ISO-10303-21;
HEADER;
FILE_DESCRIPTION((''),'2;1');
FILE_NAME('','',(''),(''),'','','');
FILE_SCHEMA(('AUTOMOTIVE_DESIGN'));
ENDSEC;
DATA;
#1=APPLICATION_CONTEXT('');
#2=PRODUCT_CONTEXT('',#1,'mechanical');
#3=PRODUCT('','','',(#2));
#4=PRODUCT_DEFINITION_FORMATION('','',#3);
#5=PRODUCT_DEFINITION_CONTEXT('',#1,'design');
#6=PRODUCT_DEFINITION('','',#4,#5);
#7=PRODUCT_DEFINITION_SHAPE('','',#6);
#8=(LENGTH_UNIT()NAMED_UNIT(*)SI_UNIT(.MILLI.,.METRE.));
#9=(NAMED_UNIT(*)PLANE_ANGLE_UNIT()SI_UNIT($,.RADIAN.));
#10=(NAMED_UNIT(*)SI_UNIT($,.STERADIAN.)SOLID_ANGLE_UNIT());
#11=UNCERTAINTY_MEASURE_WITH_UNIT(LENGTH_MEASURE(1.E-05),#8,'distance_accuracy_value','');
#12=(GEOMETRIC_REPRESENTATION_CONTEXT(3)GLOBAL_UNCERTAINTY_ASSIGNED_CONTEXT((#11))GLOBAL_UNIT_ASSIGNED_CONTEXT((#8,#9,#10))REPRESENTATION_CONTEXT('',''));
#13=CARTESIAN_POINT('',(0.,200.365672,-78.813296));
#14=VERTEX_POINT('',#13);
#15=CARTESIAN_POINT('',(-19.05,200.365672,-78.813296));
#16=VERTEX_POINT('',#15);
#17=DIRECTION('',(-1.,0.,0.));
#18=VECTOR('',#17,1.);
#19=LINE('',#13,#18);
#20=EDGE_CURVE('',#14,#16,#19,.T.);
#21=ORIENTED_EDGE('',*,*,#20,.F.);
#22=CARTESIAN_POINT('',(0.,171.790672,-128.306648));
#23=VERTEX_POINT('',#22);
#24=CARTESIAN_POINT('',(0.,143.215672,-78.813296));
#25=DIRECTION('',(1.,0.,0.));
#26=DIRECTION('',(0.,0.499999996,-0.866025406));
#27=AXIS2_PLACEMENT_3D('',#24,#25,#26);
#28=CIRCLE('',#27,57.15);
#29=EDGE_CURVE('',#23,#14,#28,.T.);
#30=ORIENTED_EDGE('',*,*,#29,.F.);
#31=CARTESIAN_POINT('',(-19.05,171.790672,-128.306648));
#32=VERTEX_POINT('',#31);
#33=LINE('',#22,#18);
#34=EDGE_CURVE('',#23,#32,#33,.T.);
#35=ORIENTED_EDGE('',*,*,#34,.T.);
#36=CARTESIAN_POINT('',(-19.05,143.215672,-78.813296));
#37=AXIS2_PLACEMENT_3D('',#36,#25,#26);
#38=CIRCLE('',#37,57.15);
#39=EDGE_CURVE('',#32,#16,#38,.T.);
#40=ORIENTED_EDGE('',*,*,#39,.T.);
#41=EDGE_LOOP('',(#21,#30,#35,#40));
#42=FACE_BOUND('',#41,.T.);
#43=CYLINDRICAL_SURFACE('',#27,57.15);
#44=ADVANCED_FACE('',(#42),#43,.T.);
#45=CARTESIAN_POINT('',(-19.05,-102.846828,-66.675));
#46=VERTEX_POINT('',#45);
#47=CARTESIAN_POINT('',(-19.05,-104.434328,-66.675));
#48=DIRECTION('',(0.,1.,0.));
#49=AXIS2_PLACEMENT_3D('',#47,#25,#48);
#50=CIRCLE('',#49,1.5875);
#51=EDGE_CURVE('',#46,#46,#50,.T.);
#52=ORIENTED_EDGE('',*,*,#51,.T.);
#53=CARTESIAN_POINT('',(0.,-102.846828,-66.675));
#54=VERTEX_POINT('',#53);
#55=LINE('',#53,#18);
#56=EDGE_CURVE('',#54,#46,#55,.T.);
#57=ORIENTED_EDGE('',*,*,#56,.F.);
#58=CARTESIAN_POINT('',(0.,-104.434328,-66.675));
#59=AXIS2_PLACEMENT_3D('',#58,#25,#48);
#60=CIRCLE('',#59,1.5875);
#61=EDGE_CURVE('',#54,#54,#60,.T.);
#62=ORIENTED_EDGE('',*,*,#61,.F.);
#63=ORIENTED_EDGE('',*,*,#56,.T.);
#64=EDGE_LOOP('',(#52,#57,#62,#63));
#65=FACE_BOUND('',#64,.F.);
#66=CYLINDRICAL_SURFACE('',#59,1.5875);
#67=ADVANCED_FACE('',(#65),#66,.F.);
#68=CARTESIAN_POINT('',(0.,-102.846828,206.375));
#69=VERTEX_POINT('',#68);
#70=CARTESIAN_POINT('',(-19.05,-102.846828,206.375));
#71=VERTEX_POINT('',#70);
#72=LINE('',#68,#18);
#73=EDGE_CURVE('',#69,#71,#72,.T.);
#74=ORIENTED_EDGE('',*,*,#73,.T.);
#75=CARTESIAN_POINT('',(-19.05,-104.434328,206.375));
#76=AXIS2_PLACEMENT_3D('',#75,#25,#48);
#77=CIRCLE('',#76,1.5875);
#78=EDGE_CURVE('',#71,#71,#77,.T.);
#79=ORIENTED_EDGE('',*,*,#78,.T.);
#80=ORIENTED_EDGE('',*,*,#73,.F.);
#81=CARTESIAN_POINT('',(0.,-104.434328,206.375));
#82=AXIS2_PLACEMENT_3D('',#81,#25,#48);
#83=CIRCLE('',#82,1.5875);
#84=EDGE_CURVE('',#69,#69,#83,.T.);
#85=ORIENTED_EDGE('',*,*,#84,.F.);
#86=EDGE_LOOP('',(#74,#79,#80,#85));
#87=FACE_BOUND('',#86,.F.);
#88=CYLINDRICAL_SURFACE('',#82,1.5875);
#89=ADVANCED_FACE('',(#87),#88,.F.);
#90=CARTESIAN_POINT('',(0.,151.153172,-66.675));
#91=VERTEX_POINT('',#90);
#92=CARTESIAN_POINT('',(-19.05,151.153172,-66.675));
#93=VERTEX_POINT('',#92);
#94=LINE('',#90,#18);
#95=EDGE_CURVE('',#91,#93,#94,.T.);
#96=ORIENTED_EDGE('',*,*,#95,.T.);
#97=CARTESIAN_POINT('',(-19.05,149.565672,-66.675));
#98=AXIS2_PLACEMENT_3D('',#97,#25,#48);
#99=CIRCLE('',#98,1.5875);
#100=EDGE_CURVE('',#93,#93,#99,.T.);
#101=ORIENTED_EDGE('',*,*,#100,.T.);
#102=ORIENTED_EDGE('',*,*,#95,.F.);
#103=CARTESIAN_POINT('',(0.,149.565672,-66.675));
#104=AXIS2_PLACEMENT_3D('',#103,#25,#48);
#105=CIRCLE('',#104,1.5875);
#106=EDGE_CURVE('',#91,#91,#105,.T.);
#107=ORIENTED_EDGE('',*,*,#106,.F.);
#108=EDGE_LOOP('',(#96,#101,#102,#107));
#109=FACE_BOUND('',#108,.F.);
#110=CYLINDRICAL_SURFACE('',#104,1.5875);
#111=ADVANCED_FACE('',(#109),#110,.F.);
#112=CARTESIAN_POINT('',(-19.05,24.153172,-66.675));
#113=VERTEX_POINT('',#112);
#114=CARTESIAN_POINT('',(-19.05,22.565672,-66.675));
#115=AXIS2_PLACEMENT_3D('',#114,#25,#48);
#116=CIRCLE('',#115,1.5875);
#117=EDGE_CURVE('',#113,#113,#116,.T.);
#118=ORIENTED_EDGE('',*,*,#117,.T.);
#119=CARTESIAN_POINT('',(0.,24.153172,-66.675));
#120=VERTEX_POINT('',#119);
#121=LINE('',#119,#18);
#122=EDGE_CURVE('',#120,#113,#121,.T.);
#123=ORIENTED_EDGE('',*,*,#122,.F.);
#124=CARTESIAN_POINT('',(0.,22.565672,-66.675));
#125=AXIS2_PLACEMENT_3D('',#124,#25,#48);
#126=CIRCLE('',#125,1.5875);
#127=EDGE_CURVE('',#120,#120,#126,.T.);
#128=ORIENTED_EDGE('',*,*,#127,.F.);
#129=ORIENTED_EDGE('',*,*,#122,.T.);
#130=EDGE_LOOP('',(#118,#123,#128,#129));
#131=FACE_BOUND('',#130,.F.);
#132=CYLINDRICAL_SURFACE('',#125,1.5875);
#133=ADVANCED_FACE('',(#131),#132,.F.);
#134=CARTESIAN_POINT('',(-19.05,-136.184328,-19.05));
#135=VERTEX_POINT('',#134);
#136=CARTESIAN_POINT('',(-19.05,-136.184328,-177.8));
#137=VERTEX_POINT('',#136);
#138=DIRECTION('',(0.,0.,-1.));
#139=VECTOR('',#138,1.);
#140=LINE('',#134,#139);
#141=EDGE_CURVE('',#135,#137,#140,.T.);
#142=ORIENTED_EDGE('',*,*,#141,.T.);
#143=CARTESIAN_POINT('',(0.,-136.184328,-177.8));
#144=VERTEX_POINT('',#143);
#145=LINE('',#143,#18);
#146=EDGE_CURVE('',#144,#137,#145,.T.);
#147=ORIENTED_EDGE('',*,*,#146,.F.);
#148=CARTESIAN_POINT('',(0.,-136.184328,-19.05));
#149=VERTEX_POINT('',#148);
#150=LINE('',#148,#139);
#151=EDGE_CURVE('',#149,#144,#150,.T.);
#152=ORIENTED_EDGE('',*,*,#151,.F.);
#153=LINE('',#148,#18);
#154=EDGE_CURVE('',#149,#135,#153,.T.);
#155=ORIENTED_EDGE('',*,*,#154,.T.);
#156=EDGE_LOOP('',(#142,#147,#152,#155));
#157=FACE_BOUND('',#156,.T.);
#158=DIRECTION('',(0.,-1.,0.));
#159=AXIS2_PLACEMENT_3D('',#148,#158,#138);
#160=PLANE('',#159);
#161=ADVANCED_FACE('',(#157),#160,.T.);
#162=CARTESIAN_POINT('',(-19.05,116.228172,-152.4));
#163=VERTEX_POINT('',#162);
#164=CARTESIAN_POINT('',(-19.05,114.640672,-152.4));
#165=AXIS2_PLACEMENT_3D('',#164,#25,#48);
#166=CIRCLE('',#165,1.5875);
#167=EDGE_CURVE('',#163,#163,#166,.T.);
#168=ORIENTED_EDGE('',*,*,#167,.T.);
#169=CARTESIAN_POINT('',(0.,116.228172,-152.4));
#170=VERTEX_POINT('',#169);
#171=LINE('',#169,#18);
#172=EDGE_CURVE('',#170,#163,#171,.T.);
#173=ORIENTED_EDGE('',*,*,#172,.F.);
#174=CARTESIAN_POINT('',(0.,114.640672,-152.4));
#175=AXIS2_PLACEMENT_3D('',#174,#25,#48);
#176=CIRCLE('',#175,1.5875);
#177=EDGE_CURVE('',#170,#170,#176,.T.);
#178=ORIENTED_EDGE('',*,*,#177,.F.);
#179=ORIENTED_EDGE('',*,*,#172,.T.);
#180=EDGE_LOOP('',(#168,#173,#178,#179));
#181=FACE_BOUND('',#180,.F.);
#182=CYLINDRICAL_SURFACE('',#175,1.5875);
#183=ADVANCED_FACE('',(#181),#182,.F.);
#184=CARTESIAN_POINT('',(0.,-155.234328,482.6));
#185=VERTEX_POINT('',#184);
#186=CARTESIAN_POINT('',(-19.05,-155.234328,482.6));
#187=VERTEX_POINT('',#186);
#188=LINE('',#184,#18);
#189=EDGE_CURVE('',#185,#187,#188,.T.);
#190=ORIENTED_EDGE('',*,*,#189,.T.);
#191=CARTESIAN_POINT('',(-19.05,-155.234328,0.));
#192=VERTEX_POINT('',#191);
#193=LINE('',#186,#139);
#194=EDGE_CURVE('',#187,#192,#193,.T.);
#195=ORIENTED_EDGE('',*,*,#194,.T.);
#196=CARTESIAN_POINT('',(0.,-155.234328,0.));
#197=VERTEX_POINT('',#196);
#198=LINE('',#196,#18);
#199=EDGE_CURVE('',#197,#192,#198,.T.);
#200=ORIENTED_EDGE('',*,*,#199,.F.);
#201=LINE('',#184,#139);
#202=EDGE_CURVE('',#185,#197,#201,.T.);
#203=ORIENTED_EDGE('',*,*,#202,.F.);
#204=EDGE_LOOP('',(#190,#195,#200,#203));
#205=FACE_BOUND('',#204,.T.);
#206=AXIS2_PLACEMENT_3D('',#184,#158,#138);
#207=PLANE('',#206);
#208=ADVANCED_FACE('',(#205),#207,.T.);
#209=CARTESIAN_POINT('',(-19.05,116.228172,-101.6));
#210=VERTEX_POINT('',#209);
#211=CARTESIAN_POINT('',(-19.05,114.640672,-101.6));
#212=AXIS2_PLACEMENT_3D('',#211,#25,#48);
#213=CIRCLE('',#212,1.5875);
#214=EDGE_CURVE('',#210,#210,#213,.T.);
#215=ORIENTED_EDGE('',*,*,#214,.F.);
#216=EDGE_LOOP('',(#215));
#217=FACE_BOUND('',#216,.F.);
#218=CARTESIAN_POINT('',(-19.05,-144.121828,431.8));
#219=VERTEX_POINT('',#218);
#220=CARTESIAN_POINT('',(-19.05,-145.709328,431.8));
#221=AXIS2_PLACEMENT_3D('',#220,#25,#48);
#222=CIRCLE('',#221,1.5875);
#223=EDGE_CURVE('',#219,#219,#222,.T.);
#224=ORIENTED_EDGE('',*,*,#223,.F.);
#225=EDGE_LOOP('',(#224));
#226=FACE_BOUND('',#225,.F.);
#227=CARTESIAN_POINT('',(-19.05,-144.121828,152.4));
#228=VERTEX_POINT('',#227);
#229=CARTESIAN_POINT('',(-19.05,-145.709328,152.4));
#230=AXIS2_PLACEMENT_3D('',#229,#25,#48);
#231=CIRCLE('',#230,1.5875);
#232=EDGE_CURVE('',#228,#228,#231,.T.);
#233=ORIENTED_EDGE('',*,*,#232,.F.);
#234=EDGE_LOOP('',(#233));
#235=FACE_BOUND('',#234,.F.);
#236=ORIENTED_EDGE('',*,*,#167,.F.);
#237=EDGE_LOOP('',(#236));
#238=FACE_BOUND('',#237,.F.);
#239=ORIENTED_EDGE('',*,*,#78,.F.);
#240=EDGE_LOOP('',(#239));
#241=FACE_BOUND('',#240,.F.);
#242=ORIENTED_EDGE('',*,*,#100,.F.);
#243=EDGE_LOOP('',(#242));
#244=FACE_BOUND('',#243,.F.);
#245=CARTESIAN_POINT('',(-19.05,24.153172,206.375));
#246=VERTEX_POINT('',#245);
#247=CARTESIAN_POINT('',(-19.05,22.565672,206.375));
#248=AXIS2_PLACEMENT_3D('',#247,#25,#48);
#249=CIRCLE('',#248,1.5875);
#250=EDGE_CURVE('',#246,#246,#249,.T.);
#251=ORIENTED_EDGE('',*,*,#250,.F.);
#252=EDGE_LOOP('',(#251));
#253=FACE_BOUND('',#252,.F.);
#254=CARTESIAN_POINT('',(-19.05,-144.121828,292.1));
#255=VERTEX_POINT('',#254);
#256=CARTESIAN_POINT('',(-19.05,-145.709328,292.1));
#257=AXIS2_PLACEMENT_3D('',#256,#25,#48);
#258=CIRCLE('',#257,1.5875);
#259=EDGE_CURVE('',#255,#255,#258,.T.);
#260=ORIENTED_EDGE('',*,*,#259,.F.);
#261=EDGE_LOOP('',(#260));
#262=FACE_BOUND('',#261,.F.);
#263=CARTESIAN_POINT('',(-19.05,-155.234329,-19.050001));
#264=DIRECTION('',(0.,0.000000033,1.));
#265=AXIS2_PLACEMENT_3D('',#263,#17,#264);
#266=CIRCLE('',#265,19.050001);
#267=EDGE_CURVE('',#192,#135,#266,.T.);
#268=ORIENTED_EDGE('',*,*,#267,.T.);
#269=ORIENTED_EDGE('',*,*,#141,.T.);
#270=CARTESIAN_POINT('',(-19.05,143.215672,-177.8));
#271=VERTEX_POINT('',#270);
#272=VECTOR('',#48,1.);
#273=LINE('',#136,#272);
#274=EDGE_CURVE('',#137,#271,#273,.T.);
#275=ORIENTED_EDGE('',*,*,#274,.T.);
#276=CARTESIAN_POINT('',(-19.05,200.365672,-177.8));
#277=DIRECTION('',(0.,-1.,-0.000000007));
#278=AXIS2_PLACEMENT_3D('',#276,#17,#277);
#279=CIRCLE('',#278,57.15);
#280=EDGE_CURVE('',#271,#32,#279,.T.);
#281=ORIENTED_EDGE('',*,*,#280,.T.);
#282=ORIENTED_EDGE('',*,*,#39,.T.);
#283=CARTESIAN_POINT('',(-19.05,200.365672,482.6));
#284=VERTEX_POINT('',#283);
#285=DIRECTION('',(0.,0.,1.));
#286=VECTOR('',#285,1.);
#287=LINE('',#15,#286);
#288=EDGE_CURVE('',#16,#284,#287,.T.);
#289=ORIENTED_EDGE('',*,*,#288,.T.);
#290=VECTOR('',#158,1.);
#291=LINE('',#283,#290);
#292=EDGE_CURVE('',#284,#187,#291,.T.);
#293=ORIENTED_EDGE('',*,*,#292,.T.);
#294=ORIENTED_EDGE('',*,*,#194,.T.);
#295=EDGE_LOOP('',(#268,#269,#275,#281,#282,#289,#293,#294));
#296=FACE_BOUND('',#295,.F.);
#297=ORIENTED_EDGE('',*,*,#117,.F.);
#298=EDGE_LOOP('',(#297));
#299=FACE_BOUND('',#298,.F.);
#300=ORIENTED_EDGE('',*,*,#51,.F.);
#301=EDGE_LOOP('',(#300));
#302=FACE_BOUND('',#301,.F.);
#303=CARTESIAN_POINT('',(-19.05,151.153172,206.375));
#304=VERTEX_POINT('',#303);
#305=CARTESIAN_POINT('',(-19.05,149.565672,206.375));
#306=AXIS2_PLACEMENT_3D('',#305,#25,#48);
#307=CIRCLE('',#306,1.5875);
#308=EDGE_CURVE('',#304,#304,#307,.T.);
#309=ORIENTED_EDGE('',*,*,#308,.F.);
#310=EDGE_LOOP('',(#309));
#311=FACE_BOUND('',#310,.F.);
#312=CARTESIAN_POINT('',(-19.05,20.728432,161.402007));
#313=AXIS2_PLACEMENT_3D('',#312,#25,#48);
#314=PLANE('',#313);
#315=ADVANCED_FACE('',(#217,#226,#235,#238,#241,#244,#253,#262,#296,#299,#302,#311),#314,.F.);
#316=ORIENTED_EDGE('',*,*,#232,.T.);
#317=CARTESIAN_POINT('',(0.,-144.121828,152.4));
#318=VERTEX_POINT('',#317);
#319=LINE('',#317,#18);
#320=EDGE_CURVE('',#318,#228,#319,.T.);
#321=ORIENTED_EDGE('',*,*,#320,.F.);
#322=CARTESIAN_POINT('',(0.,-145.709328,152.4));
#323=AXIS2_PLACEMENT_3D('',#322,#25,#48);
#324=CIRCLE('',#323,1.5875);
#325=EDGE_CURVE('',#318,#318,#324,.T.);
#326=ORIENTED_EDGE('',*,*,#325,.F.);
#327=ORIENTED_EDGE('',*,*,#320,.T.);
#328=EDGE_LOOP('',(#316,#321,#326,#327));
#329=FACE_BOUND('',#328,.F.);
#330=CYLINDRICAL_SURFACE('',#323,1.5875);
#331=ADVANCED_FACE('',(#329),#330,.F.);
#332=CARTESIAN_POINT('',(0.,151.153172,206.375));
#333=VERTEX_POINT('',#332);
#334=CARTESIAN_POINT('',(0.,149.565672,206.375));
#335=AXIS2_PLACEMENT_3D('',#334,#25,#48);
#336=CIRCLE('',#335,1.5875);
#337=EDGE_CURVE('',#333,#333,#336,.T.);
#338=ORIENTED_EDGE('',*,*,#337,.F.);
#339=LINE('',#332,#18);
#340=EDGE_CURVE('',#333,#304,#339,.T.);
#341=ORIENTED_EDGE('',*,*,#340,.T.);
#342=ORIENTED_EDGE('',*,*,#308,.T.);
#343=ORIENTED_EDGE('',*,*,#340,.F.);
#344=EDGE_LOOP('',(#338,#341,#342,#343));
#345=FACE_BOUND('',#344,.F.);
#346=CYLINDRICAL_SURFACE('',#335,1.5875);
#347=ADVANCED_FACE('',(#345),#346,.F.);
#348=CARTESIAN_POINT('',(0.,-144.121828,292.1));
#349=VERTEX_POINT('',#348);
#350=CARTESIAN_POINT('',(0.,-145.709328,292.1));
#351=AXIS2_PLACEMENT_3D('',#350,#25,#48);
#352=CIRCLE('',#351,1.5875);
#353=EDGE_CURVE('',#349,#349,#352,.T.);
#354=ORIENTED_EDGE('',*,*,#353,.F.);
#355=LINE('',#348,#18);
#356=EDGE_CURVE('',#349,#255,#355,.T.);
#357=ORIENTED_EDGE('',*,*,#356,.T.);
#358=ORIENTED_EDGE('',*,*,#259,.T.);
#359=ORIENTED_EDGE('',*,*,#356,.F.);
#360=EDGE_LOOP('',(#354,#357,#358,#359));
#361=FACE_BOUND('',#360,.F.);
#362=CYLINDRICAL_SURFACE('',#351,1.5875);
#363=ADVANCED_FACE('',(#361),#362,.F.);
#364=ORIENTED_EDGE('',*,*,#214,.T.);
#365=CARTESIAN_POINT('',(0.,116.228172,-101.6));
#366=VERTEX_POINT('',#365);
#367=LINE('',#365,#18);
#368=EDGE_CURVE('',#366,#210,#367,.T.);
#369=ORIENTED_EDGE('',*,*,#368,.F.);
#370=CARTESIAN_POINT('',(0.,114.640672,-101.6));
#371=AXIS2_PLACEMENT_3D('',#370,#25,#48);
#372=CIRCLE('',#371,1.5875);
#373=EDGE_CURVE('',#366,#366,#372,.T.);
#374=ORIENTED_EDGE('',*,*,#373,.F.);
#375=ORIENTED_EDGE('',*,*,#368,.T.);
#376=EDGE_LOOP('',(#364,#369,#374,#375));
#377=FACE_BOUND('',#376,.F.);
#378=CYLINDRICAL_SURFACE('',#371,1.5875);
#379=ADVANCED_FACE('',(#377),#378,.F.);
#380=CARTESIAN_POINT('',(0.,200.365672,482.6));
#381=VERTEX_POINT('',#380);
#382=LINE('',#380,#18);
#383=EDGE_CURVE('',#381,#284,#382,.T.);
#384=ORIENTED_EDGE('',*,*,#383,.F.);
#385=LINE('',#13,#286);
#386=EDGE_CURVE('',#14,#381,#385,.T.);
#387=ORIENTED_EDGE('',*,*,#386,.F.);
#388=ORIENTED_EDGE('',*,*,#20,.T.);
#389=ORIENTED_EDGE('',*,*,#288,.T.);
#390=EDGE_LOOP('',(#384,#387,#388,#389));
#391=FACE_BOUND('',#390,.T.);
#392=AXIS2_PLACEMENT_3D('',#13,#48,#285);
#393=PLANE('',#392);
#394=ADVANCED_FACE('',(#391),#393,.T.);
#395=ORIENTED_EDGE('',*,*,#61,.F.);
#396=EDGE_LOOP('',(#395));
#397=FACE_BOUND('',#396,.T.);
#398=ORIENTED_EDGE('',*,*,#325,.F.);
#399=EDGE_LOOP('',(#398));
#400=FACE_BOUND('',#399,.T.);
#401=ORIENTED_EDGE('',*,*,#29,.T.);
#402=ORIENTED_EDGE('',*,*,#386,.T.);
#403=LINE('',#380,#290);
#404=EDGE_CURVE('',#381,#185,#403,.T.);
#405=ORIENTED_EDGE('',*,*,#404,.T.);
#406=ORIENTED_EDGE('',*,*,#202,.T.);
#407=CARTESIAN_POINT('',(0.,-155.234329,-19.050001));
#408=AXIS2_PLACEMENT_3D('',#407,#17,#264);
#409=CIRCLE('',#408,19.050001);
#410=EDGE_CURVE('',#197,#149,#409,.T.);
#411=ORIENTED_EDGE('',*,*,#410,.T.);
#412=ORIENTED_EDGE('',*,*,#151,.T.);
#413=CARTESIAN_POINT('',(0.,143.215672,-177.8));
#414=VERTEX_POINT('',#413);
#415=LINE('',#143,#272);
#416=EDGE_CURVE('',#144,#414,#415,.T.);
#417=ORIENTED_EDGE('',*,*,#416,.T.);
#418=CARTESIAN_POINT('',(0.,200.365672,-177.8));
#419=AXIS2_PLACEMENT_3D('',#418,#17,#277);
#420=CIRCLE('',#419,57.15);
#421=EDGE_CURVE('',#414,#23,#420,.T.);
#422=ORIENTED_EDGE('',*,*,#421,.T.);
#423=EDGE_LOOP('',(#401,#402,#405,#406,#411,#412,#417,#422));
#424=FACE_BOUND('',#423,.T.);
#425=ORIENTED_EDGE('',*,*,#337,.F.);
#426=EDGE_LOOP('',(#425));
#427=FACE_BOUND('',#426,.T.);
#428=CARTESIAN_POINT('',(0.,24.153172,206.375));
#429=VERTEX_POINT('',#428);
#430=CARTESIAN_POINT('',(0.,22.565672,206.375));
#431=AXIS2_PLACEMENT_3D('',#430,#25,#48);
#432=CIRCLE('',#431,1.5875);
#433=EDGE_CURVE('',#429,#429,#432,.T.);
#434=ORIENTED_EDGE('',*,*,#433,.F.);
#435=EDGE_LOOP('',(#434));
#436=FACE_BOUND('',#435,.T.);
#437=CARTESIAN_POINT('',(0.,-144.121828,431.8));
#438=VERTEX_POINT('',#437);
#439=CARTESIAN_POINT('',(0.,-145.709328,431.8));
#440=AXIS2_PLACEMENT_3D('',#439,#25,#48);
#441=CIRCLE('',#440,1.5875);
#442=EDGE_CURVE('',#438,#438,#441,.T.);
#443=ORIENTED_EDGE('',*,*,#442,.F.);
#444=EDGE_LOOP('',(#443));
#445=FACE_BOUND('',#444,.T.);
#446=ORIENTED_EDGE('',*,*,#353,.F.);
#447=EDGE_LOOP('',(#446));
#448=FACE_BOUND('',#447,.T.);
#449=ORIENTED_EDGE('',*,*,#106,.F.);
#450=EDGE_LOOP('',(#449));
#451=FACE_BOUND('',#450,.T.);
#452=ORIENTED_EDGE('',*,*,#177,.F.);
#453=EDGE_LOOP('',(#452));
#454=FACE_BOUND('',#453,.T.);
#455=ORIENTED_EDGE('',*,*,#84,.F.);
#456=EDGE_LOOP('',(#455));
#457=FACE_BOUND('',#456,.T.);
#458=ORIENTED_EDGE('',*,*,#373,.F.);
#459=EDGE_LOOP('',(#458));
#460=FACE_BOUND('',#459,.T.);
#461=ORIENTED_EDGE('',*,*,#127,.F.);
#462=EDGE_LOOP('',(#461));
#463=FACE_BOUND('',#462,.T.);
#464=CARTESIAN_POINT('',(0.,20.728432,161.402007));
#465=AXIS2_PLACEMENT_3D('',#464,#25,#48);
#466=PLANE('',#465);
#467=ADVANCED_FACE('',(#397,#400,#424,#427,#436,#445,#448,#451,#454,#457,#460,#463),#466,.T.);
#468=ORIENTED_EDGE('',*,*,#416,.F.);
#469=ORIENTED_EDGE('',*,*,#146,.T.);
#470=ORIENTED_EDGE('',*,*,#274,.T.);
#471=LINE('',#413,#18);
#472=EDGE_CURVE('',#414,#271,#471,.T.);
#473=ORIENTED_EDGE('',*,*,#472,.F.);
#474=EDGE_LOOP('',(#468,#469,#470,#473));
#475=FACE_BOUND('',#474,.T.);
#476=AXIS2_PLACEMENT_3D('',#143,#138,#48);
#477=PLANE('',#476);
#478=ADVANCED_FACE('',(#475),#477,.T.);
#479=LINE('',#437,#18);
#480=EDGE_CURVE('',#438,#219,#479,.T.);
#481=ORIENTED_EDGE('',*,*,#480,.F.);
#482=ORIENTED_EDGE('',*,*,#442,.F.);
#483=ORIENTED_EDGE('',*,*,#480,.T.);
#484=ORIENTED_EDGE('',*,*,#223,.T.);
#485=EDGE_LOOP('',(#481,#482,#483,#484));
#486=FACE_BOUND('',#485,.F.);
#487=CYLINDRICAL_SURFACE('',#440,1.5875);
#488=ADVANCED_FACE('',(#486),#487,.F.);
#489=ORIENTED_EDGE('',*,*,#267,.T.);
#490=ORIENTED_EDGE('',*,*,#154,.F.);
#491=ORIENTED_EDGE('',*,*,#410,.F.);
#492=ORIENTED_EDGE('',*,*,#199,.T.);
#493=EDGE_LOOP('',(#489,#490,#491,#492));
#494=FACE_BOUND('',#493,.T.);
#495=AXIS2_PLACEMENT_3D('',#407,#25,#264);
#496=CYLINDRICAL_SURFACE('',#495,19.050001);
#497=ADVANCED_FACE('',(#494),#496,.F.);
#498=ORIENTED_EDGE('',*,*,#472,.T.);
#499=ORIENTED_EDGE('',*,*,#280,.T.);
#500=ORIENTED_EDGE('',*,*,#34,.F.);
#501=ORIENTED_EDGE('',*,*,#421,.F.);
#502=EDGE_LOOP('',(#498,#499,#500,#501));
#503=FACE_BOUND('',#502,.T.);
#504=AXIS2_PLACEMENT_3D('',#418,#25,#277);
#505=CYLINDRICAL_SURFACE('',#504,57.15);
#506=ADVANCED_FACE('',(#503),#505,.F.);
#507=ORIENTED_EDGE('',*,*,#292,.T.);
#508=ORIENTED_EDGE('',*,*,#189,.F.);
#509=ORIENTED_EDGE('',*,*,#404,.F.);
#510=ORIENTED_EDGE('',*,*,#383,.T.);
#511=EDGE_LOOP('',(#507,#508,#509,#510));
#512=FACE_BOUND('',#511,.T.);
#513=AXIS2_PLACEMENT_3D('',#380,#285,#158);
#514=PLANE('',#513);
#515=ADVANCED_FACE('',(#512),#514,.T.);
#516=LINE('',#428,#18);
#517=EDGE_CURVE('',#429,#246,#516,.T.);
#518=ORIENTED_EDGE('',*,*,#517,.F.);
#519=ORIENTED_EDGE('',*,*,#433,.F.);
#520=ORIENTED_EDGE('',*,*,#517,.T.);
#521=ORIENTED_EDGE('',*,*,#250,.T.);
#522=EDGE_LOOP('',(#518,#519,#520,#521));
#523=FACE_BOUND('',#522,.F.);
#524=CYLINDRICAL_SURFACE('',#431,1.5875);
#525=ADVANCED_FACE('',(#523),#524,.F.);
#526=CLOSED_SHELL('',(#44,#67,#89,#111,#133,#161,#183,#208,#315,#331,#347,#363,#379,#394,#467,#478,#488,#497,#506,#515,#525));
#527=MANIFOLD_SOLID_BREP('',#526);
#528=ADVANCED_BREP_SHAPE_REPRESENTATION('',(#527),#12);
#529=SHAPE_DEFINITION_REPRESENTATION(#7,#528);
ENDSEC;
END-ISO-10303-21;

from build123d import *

# Parameters (mm, degrees)
F0_R     = 1.5875
F1_DEPTH = 19.05


with BuildPart() as f1:
    # F0 (on Right) → F1 (new body)
    with BuildSketch(Plane.YZ):
        with BuildLine():
            Line((200.365672, 482.6), (-155.234328, 482.6))
            Line((-155.234328, 482.6), (-155.234328, 0))
            ThreePointArc((-155.234328, 0), (-141.763944, -5.579616), (-136.184328, -19.05))
            Line((-136.184328, -19.05), (-136.184328, -177.8))
            Line((-136.184328, -177.8), (143.215672, -177.8))
            ThreePointArc((143.215672, -177.8), (150.87232, -149.225), (171.790672, -128.306648))
            ThreePointArc((171.790672, -128.306648), (192.709024, -107.388296), (200.365672, -78.813296))
            Line((200.365672, -78.813296), (200.365672, 482.6))
        make_face()
        with Locations((-104.434328, -66.675)):
            Circle(F0_R, mode=Mode.SUBTRACT)
        with Locations((22.565672, -66.675)):
            Circle(F0_R, mode=Mode.SUBTRACT)
        with Locations((114.640672, -152.4)):
            Circle(F0_R, mode=Mode.SUBTRACT)
        with Locations((114.640672, -101.6)):
            Circle(F0_R, mode=Mode.SUBTRACT)
        with Locations((149.565672, -66.675)):
            Circle(F0_R, mode=Mode.SUBTRACT)
        with Locations((-145.709328, 152.4)):
            Circle(F0_R, mode=Mode.SUBTRACT)
        with Locations((-104.434328, 206.375)):
            Circle(F0_R, mode=Mode.SUBTRACT)
        with Locations((-145.709328, 292.1)):
            Circle(F0_R, mode=Mode.SUBTRACT)
        with Locations((22.565672, 206.375)):
            Circle(F0_R, mode=Mode.SUBTRACT)
        with Locations((-145.709328, 431.8)):
            Circle(F0_R, mode=Mode.SUBTRACT)
        with Locations((149.565672, 206.375)):
            Circle(F0_R, mode=Mode.SUBTRACT)
    extrude(amount=-F1_DEPTH)


solid = f1.part
